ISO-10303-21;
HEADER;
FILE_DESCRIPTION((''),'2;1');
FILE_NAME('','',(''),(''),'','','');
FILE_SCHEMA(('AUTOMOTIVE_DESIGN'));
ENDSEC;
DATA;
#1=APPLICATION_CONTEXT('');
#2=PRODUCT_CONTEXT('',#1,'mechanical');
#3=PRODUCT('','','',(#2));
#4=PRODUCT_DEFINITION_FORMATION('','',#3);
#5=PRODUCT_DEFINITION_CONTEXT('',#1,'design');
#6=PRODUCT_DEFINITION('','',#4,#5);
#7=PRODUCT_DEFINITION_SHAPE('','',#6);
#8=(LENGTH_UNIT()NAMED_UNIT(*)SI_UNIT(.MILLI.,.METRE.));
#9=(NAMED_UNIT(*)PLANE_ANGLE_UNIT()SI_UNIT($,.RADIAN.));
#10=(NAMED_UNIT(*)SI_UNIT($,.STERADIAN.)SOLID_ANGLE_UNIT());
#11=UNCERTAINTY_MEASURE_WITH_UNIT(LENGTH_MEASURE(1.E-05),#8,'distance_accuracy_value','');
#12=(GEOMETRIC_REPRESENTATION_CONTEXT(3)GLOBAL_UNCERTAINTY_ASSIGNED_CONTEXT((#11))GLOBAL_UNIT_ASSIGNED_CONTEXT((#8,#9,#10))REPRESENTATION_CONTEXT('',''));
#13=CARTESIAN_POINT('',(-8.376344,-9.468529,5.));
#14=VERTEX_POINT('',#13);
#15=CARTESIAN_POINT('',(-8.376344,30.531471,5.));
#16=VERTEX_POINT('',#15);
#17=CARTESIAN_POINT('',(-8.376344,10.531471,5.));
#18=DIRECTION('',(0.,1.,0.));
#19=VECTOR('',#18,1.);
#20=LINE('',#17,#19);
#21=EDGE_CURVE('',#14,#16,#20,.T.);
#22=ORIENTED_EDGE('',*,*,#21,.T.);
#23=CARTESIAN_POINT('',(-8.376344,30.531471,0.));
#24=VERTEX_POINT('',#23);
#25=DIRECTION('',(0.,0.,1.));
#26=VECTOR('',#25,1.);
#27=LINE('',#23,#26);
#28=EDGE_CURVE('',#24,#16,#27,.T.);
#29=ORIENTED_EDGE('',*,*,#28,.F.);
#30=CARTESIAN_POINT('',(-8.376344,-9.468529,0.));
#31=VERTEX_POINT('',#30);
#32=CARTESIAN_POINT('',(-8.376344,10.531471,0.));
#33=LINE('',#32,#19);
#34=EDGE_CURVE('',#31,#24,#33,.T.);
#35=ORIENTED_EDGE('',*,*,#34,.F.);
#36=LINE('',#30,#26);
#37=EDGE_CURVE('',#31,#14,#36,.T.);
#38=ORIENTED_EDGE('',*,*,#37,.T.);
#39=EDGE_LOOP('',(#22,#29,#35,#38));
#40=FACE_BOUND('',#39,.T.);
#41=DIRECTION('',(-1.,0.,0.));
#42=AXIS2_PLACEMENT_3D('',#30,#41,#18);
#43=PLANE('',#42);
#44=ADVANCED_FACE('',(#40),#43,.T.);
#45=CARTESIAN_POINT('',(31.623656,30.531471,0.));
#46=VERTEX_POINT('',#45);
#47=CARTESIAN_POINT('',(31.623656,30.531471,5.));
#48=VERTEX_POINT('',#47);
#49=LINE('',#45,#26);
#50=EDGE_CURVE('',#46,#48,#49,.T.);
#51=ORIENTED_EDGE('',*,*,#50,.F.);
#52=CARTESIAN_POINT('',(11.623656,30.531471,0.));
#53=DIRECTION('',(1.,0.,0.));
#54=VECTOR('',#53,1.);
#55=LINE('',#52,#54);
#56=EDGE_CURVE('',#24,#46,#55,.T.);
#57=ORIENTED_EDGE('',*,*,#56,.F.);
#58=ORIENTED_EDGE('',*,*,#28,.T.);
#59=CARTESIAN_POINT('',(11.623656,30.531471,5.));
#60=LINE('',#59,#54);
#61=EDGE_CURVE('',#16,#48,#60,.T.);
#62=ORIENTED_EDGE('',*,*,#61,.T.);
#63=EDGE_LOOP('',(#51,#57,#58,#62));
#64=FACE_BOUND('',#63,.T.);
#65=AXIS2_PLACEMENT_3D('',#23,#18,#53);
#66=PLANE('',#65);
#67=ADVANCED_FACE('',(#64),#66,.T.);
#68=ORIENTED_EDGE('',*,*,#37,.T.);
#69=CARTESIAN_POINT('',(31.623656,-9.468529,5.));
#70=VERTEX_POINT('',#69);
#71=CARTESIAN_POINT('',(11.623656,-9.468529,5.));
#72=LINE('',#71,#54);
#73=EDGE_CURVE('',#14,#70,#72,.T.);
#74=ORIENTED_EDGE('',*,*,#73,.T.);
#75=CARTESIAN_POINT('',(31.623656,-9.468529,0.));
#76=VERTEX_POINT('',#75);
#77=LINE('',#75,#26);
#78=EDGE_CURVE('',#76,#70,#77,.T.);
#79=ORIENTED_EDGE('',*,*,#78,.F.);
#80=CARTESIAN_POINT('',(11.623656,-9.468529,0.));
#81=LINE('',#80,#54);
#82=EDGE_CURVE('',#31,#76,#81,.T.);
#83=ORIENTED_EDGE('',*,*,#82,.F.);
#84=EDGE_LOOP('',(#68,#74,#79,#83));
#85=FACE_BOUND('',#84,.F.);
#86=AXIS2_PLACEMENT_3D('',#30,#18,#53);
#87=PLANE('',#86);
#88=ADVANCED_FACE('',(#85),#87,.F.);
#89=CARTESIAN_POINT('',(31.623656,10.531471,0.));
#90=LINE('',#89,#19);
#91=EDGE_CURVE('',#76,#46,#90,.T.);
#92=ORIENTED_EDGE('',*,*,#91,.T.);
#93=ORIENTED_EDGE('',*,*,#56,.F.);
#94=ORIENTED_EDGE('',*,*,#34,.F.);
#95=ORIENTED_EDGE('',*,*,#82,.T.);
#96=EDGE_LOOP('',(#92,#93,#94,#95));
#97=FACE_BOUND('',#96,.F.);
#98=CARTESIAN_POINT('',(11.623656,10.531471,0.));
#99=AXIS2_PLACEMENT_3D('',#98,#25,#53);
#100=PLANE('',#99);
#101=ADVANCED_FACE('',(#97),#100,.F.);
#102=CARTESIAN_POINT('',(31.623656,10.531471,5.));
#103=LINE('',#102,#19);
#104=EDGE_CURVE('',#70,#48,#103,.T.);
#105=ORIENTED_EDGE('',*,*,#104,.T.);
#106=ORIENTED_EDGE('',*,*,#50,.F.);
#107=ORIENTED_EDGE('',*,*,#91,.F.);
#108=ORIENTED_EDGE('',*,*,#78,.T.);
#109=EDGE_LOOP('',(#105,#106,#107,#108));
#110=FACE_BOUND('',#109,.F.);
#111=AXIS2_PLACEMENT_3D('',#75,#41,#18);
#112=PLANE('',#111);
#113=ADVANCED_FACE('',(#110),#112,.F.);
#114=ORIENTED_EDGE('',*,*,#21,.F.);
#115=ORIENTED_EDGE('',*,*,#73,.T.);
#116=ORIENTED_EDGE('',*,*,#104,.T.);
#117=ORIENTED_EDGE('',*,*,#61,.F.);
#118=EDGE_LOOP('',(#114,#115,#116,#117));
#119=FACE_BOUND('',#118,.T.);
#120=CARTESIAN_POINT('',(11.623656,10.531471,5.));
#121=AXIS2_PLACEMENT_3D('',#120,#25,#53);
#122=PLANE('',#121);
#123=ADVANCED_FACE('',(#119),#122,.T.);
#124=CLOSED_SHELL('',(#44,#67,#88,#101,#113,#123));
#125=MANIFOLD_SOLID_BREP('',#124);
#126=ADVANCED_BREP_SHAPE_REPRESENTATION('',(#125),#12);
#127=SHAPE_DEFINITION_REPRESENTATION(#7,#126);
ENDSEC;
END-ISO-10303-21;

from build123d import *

# Parameters (mm, degrees)
SKETCH_W      = 40
SKETCH_H      = 40
EXTRUDE_DEPTH = 5


with BuildPart() as part:
    # Sketch → Extrude (new body)
    with BuildSketch(Plane.XY):
        with Locations((11.623656, 10.531471)):
            Rectangle(SKETCH_W, SKETCH_H)
    extrude(amount=EXTRUDE_DEPTH)


solid = part.part
